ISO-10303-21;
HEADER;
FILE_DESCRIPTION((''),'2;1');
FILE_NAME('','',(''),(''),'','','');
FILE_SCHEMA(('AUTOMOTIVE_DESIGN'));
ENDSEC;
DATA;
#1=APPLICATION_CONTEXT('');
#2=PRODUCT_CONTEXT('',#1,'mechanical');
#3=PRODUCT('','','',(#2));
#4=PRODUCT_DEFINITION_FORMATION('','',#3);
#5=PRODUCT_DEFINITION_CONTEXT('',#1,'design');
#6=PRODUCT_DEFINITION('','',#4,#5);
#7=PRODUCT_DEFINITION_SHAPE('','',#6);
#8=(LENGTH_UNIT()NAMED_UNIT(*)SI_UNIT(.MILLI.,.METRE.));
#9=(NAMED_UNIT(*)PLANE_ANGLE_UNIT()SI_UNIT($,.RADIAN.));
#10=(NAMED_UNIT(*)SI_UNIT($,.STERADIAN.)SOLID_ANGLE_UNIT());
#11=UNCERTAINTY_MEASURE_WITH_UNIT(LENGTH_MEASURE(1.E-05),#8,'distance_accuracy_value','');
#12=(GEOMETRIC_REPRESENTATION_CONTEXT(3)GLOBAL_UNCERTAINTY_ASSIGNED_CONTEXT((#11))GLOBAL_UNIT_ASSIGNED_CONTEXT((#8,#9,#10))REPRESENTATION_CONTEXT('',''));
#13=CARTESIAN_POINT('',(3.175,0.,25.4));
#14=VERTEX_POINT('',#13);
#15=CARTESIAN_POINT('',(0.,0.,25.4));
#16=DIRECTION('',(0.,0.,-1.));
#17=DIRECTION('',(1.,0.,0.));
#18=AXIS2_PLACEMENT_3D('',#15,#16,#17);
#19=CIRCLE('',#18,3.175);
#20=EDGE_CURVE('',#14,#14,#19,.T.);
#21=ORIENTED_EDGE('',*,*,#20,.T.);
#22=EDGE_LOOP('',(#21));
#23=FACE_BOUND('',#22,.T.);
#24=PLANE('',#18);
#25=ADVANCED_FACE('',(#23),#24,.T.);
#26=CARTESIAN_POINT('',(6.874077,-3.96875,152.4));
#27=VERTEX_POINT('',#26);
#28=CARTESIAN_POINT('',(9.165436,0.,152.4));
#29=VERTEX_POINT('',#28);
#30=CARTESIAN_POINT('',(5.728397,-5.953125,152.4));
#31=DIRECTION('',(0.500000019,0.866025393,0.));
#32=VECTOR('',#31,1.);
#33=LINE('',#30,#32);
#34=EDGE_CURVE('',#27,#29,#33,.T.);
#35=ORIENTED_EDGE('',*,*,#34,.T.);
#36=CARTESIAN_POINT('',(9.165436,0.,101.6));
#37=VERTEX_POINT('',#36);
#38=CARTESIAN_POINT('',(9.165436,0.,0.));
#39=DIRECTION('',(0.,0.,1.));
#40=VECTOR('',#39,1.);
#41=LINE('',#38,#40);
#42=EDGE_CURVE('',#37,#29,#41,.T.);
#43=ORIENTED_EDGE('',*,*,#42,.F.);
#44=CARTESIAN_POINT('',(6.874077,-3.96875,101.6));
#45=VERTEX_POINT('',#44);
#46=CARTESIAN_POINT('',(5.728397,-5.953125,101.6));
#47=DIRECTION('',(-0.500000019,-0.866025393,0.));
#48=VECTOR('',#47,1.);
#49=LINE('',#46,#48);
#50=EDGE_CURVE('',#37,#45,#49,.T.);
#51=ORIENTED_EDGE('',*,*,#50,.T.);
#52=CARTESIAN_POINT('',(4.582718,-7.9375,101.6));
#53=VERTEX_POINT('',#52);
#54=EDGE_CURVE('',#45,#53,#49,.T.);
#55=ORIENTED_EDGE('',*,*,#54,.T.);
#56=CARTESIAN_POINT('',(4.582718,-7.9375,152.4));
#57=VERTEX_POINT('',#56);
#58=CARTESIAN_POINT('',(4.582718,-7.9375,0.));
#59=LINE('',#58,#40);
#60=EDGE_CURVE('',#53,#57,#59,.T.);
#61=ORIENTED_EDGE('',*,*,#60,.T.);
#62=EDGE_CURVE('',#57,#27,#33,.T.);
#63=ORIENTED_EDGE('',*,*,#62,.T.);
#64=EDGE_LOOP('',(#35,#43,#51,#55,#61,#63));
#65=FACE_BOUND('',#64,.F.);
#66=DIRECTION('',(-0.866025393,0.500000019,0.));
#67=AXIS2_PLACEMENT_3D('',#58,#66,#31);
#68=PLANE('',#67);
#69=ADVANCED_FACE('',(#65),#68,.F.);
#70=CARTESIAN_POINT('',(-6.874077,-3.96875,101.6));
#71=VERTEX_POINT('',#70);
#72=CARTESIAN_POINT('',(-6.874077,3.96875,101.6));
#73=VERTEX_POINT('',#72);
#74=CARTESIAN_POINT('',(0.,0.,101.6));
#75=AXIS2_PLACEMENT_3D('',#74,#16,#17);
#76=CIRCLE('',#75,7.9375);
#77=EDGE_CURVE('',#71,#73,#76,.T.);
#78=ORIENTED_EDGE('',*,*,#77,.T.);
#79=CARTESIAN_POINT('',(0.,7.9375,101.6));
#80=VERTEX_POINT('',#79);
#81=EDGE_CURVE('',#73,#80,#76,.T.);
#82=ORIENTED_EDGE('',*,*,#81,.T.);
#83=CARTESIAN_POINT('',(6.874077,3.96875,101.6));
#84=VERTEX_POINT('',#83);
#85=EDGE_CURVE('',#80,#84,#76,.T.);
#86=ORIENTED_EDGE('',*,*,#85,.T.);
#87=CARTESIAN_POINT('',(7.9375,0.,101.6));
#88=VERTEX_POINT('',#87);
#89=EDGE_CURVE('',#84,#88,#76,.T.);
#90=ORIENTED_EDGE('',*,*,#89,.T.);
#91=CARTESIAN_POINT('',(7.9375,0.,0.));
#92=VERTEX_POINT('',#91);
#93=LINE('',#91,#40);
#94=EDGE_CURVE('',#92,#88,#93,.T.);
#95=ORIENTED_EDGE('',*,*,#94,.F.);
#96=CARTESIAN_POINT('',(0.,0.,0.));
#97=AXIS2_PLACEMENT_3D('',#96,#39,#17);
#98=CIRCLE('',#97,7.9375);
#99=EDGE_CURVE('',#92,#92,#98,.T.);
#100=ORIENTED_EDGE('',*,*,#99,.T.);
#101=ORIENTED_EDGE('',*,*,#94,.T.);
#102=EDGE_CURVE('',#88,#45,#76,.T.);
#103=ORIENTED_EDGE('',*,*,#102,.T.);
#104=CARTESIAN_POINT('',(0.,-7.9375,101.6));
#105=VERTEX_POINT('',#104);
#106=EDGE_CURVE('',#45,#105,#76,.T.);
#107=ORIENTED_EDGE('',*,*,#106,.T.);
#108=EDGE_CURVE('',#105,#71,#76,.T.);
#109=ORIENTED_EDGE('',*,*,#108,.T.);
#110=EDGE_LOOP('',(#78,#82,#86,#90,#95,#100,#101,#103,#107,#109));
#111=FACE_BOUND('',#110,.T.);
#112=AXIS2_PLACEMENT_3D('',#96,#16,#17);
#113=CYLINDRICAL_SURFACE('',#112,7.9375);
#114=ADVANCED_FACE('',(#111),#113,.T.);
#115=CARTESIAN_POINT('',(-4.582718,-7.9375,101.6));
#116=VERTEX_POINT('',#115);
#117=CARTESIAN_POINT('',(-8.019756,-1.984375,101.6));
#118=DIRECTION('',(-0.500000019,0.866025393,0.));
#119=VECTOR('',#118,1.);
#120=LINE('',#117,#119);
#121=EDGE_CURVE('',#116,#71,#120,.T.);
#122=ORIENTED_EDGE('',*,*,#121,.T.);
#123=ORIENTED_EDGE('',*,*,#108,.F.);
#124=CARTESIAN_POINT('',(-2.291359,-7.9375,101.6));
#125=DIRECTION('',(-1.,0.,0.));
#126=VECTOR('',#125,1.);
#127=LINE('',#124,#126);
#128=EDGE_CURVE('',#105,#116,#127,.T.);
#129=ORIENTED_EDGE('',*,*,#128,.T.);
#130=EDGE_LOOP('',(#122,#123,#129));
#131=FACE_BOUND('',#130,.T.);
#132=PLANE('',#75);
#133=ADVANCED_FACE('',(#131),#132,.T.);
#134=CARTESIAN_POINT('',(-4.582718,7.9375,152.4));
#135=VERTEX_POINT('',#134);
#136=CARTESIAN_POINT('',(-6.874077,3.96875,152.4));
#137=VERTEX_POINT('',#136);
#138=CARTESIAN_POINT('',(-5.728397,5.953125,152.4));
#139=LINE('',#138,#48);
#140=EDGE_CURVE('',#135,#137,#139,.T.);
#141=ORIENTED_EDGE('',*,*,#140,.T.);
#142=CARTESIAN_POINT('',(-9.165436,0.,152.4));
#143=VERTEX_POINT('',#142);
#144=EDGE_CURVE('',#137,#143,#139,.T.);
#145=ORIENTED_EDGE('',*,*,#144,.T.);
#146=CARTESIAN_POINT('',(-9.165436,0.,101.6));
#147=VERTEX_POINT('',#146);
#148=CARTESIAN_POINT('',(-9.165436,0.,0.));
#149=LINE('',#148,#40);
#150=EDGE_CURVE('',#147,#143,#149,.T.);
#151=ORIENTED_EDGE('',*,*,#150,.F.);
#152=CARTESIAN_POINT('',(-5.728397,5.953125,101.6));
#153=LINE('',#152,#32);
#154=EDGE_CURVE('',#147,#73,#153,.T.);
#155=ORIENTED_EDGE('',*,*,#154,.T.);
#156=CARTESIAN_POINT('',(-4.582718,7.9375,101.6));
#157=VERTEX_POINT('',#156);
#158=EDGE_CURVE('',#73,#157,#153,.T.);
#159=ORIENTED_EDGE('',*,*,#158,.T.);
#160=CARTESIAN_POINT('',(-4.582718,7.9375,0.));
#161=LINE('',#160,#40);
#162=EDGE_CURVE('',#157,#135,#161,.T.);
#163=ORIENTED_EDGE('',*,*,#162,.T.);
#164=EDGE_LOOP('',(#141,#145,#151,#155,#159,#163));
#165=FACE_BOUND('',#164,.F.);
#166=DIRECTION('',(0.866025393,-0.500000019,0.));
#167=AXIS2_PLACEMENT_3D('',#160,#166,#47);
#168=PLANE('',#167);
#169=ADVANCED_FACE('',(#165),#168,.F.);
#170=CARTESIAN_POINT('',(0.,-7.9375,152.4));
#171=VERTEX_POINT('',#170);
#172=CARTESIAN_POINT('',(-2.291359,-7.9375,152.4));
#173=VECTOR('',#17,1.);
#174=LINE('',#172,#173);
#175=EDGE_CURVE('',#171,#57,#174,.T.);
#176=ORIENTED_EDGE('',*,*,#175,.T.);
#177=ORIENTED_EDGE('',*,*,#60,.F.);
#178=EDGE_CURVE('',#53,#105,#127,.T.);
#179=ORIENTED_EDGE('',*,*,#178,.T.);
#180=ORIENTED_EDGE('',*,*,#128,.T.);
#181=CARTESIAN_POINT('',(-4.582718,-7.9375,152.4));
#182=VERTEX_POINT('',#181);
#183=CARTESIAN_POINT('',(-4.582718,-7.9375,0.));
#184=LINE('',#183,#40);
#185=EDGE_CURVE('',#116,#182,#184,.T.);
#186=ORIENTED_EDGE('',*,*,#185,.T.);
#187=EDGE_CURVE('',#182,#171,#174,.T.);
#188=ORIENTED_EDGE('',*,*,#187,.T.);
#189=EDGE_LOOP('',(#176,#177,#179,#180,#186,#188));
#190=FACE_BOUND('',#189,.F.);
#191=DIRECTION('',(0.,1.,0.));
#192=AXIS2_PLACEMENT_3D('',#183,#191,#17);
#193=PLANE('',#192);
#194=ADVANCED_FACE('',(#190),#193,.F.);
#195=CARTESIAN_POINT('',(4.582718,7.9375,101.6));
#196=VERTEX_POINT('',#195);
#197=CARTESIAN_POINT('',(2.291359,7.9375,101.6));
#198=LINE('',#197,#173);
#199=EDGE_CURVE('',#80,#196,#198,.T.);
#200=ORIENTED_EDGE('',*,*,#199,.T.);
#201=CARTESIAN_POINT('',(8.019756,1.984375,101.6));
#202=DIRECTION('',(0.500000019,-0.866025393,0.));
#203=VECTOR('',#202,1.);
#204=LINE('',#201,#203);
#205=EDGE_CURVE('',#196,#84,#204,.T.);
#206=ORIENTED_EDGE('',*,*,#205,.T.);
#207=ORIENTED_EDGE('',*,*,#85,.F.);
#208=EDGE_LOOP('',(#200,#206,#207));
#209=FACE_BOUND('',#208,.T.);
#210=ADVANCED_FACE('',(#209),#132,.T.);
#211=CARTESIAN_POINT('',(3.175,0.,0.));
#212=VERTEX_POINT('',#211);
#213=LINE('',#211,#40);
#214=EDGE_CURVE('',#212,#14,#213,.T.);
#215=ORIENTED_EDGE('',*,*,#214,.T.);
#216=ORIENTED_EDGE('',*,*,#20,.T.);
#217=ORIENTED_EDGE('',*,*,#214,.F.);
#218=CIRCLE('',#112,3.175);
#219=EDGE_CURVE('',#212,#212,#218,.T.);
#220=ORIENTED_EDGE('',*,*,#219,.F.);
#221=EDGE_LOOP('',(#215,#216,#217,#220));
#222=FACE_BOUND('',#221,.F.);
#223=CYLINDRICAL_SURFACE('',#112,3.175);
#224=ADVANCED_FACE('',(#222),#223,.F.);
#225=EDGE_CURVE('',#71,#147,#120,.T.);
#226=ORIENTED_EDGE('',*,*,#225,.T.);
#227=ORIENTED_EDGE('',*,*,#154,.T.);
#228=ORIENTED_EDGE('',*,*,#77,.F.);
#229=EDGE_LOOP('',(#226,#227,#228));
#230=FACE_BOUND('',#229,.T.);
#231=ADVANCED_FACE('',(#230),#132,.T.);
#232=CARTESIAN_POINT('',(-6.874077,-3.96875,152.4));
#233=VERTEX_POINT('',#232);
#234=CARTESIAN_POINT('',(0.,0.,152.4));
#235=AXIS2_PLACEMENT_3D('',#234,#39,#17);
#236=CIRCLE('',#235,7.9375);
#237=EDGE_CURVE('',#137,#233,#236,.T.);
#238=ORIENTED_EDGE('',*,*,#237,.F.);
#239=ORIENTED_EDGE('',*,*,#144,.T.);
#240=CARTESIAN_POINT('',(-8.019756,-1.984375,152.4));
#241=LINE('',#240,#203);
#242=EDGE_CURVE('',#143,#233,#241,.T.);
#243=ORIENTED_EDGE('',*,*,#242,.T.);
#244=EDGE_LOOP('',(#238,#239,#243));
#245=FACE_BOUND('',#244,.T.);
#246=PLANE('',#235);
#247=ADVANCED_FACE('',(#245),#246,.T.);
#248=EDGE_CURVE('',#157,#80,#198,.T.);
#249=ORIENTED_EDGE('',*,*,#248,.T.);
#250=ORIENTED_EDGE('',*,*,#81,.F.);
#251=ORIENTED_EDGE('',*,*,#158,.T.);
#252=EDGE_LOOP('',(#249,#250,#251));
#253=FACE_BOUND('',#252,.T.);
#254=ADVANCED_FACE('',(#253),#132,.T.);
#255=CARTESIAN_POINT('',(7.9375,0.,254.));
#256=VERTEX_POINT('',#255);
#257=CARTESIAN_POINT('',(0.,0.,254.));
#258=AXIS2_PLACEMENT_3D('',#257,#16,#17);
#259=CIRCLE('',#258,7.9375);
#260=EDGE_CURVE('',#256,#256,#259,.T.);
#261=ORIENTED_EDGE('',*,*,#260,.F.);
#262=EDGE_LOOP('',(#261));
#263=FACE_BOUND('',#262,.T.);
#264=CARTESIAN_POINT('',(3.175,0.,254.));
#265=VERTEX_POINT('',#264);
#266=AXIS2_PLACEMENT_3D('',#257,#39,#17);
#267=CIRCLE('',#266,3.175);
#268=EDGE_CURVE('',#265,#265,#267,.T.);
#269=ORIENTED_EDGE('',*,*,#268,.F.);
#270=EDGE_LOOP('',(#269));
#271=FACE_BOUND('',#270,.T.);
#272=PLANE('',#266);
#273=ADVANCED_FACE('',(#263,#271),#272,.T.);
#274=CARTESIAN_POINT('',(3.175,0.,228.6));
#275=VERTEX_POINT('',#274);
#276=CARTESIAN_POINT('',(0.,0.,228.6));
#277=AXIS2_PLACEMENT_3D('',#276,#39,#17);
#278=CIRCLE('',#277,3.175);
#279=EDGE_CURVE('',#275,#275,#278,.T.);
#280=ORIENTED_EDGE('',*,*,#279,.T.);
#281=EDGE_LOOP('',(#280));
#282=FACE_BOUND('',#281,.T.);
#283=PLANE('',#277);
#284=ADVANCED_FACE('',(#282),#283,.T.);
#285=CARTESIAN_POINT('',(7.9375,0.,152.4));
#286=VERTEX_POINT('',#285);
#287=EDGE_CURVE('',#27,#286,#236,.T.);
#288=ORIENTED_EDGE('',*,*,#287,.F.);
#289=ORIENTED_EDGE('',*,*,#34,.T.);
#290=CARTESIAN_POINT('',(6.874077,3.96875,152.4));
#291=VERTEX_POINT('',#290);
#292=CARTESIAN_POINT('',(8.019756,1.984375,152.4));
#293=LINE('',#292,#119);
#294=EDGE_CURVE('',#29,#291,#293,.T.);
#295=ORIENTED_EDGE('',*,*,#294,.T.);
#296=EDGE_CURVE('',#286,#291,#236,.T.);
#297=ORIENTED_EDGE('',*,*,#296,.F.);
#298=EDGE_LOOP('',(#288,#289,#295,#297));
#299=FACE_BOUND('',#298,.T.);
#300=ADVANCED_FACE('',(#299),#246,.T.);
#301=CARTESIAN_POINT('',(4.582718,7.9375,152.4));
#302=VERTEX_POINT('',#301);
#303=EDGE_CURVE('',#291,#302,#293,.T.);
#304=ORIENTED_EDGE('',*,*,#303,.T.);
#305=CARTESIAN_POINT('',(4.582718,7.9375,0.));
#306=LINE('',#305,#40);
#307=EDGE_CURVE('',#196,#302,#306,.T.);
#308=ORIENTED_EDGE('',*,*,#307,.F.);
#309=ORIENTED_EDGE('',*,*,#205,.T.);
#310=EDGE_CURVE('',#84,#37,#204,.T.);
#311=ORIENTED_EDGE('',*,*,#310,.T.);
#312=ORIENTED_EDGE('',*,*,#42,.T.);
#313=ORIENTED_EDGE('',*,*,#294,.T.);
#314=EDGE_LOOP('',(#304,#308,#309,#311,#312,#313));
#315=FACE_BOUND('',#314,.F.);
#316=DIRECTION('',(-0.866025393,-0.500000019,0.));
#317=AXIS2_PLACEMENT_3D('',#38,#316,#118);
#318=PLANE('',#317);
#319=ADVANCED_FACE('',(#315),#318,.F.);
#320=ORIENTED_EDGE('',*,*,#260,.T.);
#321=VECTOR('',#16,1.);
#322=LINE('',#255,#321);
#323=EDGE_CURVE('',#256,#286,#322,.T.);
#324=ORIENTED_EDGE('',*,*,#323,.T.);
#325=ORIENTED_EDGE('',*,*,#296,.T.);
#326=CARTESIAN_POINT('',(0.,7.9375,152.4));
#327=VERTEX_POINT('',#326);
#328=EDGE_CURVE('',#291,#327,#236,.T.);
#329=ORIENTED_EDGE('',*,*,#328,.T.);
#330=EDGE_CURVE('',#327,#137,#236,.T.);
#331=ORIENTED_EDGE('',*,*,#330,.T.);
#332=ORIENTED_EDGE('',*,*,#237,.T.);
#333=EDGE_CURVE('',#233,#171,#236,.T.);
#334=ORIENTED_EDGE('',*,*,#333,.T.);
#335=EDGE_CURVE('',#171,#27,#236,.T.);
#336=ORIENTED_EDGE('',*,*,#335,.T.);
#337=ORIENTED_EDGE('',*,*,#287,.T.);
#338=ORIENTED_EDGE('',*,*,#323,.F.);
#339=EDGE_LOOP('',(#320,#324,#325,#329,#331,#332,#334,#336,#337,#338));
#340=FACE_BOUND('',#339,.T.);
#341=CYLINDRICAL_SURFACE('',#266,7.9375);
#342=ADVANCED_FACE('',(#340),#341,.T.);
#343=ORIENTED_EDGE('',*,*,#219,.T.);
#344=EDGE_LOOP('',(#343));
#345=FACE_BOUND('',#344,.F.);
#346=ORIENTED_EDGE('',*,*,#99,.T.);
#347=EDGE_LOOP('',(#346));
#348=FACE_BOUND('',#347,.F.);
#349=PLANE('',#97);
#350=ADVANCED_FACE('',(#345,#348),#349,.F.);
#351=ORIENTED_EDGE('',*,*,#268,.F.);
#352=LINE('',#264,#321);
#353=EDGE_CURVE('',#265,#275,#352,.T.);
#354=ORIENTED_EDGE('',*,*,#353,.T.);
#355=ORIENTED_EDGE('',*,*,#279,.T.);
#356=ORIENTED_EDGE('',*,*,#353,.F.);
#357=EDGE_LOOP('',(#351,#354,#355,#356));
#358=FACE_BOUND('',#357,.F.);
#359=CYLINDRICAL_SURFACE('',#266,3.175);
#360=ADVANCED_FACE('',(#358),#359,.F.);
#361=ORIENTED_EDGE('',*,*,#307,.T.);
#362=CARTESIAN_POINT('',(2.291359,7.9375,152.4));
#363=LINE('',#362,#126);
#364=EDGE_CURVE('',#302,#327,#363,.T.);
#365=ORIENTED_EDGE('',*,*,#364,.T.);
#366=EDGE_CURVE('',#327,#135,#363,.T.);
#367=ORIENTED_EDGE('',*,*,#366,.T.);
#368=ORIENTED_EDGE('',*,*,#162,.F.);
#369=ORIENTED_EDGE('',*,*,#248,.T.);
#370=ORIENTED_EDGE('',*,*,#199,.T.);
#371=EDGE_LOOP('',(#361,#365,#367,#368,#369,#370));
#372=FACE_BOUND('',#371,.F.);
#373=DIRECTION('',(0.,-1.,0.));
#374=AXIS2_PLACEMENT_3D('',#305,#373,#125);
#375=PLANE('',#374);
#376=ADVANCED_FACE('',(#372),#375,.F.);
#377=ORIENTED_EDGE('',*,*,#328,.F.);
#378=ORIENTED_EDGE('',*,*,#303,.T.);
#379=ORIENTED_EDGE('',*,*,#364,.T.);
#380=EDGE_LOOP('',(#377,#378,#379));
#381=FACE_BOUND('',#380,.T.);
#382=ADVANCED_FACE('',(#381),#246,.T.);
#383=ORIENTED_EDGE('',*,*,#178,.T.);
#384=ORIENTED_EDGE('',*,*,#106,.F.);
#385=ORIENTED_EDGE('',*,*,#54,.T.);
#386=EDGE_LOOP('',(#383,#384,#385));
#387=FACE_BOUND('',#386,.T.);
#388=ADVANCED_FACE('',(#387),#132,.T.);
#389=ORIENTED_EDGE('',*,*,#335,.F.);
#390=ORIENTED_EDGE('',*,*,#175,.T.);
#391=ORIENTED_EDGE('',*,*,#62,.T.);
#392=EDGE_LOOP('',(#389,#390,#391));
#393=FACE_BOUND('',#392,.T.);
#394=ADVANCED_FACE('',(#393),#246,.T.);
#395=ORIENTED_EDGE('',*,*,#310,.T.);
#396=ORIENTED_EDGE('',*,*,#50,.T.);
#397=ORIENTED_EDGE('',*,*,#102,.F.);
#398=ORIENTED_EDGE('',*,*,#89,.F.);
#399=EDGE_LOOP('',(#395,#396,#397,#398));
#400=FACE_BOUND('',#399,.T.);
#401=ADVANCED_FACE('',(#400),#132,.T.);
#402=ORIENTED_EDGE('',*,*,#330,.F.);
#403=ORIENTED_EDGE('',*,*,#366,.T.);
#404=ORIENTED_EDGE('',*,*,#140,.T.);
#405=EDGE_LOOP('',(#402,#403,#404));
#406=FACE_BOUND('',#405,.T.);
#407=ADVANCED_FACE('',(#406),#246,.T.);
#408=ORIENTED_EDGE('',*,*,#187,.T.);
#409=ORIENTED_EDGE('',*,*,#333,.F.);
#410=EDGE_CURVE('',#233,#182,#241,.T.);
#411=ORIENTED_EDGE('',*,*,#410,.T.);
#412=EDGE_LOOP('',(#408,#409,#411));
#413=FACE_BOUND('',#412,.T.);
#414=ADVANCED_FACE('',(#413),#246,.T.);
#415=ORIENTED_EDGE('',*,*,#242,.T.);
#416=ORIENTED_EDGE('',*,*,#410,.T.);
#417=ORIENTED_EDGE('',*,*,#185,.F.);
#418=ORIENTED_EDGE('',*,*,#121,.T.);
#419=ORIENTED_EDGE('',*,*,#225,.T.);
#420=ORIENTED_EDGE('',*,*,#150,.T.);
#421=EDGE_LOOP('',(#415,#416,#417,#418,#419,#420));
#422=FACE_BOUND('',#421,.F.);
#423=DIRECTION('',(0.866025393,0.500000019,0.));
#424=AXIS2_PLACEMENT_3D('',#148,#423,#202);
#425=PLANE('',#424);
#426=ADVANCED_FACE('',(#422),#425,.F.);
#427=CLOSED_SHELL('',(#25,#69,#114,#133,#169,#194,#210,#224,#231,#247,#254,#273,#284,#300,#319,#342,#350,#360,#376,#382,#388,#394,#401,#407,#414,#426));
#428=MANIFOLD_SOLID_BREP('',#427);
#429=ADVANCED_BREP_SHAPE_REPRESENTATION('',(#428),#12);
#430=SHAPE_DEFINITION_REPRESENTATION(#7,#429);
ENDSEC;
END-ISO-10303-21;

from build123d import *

# Parameters (mm, degrees)
F1_DEPTH = 254
F2_R     = 9.165436
F2_R_2   = 7.9375
F3_DEPTH = 101.6
F4_R     = 9.165436
F4_R_2   = 7.9375
F5_DEPTH = 101.6
F6_R     = 3.175
F7_DEPTH = 25.4
F8_R     = 3.175
F9_DEPTH = 25.4


with BuildPart() as f1:
    # F0 (on Top) → F1 (new body)
    with BuildSketch(Plane.XY):
        Polygon((-4.582718, 7.9375), (-9.165436, 0), (-4.582718, -7.9375), (4.582718, -7.9375), (9.165436, 0), (4.582718, 7.9375), align=None)
    extrude(amount=F1_DEPTH)

    # F2 (on face) → F3 (cut)
    with BuildSketch(Plane.XY.offset(254)):
        Circle(F2_R)
        Circle(F2_R_2, mode=Mode.SUBTRACT)
    extrude(amount=-F3_DEPTH, mode=Mode.SUBTRACT)

    # F4 (on face) → F5 (cut)
    with BuildSketch(Plane(origin=(0, 0, 0), x_dir=(1, 0, 0), z_dir=(0, 0, -1))):
        Circle(F4_R)
        Circle(F4_R_2, mode=Mode.SUBTRACT)
    extrude(amount=-F5_DEPTH, mode=Mode.SUBTRACT)

    # F6 (on face) → F7 (cut)
    with BuildSketch(Plane(origin=(0, 0, 0), x_dir=(1, 0, 0), z_dir=(0, 0, -1))):
        Circle(F6_R)
    extrude(amount=-F7_DEPTH, mode=Mode.SUBTRACT)

    # F8 (on face) → F9 (cut)
    with BuildSketch(Plane.XY.offset(254)):
        Circle(F8_R)
    extrude(amount=-F9_DEPTH, mode=Mode.SUBTRACT)


solid = f1.part
